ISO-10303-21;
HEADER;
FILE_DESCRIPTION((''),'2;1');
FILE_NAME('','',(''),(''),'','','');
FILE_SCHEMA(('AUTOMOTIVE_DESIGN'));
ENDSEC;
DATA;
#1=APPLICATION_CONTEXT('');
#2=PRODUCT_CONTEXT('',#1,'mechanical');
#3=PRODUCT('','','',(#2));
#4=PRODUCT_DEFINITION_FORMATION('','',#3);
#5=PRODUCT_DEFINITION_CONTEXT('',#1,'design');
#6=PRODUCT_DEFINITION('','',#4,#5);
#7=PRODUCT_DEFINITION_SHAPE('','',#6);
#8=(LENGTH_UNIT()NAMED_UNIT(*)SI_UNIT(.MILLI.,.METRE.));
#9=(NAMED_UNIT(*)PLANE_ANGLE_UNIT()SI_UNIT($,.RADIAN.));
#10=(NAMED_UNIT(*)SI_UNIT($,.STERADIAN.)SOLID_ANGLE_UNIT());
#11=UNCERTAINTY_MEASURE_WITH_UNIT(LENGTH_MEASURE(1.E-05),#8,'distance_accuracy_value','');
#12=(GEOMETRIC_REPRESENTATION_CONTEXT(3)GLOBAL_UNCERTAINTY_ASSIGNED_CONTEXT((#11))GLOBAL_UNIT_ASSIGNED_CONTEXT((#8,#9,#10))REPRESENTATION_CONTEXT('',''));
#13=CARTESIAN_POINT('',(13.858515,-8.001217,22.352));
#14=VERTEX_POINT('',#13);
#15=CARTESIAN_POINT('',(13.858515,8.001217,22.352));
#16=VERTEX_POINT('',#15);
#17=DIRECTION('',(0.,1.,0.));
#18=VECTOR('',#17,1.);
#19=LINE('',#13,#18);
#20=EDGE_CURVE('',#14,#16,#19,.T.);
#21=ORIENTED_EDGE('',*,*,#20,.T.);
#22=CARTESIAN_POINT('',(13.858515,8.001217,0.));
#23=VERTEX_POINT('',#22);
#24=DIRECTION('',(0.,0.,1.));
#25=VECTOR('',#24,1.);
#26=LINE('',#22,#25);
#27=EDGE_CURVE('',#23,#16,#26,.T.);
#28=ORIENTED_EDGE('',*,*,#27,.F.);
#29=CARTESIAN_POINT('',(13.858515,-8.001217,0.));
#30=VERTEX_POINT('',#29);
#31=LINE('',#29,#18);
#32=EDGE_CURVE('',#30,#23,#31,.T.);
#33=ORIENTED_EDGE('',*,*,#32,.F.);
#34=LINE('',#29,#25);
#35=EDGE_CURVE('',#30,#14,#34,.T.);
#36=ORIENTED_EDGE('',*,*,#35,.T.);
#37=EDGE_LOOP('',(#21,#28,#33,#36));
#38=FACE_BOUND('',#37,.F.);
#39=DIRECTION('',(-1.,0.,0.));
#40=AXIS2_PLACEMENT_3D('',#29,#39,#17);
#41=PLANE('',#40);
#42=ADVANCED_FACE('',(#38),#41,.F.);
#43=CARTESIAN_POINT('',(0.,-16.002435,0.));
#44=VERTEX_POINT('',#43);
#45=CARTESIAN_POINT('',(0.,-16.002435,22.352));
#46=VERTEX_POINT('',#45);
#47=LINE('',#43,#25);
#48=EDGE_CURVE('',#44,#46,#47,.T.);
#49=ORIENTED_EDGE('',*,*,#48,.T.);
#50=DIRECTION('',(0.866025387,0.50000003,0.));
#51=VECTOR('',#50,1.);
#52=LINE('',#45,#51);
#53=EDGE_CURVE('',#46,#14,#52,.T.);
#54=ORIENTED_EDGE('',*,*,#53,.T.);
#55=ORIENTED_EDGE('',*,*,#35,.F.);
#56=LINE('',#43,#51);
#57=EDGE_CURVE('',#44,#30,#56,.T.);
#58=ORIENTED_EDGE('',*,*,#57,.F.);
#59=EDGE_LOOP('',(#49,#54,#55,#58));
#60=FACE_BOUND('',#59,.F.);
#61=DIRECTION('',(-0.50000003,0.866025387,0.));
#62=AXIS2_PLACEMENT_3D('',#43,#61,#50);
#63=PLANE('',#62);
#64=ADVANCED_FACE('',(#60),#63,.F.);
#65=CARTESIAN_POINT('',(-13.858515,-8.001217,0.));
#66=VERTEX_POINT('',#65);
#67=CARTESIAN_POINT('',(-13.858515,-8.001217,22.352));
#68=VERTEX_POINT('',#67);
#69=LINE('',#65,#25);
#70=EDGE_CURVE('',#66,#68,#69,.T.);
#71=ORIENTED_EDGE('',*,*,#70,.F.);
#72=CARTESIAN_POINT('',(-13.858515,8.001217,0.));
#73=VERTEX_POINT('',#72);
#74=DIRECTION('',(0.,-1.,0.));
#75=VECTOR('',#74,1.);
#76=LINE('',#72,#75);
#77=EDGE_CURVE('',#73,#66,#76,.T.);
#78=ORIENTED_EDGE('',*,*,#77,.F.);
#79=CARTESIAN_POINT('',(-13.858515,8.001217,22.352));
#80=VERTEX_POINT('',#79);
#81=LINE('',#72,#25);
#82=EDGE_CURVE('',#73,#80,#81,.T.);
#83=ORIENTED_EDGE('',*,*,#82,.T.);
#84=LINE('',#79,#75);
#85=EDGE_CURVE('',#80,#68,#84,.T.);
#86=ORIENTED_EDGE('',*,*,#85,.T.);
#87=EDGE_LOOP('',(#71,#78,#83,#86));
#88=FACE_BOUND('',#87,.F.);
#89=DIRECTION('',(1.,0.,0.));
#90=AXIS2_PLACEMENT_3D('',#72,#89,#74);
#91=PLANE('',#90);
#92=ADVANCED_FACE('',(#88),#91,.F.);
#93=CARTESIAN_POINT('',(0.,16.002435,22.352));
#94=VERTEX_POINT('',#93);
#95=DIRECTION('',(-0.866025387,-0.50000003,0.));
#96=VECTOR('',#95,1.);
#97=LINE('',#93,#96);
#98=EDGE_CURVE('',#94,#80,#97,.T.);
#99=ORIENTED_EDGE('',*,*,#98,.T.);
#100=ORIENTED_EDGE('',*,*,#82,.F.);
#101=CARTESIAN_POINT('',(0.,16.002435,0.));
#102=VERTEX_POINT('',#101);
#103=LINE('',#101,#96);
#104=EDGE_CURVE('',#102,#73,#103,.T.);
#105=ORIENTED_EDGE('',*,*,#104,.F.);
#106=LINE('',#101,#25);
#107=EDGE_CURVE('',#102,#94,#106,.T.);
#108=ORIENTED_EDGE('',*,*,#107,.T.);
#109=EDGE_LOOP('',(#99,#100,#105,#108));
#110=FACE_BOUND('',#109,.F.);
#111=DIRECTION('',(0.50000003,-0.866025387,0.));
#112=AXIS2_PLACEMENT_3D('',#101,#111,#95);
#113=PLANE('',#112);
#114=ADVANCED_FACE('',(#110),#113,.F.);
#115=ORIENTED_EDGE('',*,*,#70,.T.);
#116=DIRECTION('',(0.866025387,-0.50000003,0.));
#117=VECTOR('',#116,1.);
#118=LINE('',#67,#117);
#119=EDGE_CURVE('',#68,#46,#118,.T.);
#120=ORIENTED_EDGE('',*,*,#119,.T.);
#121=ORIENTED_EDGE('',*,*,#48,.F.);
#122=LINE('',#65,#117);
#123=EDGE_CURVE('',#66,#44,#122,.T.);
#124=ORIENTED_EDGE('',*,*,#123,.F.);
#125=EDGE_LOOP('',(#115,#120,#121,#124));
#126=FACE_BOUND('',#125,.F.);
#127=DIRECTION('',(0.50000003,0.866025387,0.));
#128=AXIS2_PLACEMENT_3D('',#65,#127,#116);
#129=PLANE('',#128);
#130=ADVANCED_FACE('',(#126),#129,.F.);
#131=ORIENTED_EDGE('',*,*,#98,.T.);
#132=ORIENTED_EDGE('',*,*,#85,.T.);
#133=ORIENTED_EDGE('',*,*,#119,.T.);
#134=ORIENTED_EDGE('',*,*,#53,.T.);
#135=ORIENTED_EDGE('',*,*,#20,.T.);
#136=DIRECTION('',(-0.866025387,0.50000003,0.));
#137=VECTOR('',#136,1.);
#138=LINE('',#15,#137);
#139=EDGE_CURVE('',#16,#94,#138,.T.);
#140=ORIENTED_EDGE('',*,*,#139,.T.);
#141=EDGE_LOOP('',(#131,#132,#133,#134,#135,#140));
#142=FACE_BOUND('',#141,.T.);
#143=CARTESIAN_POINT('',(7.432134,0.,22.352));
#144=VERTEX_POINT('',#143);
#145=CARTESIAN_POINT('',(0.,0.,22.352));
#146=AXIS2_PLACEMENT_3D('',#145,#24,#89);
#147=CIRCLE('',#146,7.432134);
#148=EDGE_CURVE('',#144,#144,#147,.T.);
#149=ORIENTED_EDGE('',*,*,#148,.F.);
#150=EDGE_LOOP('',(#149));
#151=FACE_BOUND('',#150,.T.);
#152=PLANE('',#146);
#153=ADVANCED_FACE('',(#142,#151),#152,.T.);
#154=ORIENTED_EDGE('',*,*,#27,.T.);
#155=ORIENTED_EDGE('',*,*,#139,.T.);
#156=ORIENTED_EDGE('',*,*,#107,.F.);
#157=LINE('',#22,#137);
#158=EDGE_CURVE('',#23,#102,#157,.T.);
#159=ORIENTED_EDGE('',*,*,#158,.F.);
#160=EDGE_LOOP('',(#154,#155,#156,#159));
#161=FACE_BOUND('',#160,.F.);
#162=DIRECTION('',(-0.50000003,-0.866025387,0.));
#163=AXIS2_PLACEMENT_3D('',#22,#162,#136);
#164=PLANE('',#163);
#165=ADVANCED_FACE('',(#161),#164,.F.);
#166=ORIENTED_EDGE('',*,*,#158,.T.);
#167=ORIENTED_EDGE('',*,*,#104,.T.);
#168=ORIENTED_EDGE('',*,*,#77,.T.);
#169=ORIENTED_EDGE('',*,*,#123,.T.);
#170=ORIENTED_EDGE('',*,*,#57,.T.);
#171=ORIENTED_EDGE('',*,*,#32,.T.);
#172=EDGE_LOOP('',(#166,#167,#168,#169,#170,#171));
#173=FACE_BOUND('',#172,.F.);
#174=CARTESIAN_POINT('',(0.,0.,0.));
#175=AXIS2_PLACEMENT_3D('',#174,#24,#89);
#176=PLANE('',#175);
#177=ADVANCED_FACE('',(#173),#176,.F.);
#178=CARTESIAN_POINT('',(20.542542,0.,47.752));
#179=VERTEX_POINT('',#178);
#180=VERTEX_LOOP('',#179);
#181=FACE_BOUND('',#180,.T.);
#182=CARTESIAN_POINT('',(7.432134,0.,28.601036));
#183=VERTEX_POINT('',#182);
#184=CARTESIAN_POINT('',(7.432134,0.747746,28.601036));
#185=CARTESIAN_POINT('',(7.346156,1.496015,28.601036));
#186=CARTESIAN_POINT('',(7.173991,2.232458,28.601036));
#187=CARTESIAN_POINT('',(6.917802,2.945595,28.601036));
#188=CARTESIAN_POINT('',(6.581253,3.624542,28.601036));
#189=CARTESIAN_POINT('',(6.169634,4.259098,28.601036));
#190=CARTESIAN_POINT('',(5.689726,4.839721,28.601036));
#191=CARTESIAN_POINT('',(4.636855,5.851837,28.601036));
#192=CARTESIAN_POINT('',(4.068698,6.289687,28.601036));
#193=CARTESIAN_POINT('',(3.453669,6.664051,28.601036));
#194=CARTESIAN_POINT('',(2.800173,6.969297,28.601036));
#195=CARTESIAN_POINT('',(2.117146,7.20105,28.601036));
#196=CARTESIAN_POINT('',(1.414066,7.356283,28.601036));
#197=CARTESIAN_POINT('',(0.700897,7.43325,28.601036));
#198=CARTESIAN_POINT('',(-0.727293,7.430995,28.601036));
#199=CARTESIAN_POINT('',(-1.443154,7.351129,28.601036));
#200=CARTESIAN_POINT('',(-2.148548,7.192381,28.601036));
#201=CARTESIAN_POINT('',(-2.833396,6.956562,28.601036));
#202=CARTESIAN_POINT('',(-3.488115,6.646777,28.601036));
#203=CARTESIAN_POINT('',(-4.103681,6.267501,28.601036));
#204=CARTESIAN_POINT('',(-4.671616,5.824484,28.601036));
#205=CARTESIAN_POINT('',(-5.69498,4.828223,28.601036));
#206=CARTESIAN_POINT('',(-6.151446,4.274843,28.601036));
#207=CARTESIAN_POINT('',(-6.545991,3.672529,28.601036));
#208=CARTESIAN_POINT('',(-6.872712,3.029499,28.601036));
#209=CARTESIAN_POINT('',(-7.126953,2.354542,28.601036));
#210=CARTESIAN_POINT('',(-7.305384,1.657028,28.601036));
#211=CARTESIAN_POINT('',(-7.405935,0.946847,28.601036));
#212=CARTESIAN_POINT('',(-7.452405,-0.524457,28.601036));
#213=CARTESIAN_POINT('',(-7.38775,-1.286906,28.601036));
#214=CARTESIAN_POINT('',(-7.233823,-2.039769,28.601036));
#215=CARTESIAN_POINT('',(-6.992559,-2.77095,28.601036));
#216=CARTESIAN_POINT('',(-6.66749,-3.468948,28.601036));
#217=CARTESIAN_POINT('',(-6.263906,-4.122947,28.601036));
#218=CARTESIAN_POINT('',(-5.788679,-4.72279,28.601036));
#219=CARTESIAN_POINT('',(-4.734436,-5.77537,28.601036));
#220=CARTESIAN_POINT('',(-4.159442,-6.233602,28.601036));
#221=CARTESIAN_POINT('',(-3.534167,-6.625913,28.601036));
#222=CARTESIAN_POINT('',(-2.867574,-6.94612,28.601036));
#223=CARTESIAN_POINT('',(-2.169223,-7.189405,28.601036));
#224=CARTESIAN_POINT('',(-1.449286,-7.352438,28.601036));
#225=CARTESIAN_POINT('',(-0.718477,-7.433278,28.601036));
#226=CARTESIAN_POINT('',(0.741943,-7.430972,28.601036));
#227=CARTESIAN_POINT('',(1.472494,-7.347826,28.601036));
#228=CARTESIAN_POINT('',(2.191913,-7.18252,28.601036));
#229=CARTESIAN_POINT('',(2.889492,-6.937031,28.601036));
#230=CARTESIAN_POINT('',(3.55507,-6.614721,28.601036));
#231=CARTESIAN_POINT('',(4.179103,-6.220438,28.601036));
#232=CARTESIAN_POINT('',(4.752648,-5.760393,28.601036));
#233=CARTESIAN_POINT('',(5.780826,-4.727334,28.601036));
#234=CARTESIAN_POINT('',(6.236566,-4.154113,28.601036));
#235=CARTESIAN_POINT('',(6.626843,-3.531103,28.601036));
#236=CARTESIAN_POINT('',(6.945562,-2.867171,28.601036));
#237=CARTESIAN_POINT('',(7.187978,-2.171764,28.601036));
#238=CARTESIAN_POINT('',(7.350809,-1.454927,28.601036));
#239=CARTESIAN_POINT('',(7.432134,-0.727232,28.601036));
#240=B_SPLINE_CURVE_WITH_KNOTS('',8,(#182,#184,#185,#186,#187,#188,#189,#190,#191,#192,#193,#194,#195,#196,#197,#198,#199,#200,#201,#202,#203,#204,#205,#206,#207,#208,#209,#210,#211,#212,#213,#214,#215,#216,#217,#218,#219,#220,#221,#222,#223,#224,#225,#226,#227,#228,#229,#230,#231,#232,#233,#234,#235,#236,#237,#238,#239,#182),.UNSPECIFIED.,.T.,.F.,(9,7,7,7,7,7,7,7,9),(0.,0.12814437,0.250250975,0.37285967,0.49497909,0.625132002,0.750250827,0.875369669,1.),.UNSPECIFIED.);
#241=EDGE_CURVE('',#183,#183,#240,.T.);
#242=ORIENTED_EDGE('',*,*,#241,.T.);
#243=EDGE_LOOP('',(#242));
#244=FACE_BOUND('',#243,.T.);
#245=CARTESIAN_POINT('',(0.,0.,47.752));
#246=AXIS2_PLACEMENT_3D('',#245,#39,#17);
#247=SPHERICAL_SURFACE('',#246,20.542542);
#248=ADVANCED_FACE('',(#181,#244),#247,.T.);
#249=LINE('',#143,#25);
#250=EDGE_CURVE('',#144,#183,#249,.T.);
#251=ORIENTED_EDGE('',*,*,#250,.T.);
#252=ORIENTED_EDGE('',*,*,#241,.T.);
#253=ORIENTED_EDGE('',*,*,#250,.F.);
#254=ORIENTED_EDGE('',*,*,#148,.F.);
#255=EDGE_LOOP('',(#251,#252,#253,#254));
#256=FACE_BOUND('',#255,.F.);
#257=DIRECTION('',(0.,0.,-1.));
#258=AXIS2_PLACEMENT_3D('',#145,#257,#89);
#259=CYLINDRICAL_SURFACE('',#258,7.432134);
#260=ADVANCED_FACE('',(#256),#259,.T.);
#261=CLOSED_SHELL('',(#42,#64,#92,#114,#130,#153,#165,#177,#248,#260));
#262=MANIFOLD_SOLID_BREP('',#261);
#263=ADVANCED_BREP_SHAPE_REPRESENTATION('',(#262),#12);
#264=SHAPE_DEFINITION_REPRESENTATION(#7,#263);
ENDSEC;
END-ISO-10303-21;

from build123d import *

# Parameters (mm, degrees)
F1_DEPTH = 22.352
F2_R     = 7.432134
F3_DEPTH = 25.4


with BuildPart() as f1:
    # F0 (on Top) → F1 (new body)
    with BuildSketch(Plane.XY):
        Polygon((13.858515, -8.001217), (13.858515, 8.001217), (0, 16.002435), (-13.858515, 8.001217), (-13.858515, -8.001217), (0, -16.002435), align=None)
    extrude(amount=F1_DEPTH)

    # F2 (on face) → F3 (join)
    with BuildSketch(Plane.XY.offset(22.352)):
        Circle(F2_R)
    extrude(amount=F3_DEPTH)

    # F4 (on face) → F5 (revolve)
    with BuildSketch(Plane.XY.offset(47.752)):
        with BuildLine():
            Line((7.432134, 0), (20.542542, 0))
            ThreePointArc((20.542542, 0), (0, 20.542542), (-20.542542, 0))
            Line((-20.542542, 0), (-7.432134, 0))
            ThreePointArc((-7.432134, 0), (0, 7.432134), (7.432134, 0))
        make_face()
        with BuildLine():
            Line((-7.432134, 0), (7.432134, 0))
            ThreePointArc((7.432134, 0), (0, 7.432134), (-7.432134, 0))
        make_face()
    revolve(axis=Axis((0, 0, 47.752), (-1, 0, 0)))


solid = f1.part
